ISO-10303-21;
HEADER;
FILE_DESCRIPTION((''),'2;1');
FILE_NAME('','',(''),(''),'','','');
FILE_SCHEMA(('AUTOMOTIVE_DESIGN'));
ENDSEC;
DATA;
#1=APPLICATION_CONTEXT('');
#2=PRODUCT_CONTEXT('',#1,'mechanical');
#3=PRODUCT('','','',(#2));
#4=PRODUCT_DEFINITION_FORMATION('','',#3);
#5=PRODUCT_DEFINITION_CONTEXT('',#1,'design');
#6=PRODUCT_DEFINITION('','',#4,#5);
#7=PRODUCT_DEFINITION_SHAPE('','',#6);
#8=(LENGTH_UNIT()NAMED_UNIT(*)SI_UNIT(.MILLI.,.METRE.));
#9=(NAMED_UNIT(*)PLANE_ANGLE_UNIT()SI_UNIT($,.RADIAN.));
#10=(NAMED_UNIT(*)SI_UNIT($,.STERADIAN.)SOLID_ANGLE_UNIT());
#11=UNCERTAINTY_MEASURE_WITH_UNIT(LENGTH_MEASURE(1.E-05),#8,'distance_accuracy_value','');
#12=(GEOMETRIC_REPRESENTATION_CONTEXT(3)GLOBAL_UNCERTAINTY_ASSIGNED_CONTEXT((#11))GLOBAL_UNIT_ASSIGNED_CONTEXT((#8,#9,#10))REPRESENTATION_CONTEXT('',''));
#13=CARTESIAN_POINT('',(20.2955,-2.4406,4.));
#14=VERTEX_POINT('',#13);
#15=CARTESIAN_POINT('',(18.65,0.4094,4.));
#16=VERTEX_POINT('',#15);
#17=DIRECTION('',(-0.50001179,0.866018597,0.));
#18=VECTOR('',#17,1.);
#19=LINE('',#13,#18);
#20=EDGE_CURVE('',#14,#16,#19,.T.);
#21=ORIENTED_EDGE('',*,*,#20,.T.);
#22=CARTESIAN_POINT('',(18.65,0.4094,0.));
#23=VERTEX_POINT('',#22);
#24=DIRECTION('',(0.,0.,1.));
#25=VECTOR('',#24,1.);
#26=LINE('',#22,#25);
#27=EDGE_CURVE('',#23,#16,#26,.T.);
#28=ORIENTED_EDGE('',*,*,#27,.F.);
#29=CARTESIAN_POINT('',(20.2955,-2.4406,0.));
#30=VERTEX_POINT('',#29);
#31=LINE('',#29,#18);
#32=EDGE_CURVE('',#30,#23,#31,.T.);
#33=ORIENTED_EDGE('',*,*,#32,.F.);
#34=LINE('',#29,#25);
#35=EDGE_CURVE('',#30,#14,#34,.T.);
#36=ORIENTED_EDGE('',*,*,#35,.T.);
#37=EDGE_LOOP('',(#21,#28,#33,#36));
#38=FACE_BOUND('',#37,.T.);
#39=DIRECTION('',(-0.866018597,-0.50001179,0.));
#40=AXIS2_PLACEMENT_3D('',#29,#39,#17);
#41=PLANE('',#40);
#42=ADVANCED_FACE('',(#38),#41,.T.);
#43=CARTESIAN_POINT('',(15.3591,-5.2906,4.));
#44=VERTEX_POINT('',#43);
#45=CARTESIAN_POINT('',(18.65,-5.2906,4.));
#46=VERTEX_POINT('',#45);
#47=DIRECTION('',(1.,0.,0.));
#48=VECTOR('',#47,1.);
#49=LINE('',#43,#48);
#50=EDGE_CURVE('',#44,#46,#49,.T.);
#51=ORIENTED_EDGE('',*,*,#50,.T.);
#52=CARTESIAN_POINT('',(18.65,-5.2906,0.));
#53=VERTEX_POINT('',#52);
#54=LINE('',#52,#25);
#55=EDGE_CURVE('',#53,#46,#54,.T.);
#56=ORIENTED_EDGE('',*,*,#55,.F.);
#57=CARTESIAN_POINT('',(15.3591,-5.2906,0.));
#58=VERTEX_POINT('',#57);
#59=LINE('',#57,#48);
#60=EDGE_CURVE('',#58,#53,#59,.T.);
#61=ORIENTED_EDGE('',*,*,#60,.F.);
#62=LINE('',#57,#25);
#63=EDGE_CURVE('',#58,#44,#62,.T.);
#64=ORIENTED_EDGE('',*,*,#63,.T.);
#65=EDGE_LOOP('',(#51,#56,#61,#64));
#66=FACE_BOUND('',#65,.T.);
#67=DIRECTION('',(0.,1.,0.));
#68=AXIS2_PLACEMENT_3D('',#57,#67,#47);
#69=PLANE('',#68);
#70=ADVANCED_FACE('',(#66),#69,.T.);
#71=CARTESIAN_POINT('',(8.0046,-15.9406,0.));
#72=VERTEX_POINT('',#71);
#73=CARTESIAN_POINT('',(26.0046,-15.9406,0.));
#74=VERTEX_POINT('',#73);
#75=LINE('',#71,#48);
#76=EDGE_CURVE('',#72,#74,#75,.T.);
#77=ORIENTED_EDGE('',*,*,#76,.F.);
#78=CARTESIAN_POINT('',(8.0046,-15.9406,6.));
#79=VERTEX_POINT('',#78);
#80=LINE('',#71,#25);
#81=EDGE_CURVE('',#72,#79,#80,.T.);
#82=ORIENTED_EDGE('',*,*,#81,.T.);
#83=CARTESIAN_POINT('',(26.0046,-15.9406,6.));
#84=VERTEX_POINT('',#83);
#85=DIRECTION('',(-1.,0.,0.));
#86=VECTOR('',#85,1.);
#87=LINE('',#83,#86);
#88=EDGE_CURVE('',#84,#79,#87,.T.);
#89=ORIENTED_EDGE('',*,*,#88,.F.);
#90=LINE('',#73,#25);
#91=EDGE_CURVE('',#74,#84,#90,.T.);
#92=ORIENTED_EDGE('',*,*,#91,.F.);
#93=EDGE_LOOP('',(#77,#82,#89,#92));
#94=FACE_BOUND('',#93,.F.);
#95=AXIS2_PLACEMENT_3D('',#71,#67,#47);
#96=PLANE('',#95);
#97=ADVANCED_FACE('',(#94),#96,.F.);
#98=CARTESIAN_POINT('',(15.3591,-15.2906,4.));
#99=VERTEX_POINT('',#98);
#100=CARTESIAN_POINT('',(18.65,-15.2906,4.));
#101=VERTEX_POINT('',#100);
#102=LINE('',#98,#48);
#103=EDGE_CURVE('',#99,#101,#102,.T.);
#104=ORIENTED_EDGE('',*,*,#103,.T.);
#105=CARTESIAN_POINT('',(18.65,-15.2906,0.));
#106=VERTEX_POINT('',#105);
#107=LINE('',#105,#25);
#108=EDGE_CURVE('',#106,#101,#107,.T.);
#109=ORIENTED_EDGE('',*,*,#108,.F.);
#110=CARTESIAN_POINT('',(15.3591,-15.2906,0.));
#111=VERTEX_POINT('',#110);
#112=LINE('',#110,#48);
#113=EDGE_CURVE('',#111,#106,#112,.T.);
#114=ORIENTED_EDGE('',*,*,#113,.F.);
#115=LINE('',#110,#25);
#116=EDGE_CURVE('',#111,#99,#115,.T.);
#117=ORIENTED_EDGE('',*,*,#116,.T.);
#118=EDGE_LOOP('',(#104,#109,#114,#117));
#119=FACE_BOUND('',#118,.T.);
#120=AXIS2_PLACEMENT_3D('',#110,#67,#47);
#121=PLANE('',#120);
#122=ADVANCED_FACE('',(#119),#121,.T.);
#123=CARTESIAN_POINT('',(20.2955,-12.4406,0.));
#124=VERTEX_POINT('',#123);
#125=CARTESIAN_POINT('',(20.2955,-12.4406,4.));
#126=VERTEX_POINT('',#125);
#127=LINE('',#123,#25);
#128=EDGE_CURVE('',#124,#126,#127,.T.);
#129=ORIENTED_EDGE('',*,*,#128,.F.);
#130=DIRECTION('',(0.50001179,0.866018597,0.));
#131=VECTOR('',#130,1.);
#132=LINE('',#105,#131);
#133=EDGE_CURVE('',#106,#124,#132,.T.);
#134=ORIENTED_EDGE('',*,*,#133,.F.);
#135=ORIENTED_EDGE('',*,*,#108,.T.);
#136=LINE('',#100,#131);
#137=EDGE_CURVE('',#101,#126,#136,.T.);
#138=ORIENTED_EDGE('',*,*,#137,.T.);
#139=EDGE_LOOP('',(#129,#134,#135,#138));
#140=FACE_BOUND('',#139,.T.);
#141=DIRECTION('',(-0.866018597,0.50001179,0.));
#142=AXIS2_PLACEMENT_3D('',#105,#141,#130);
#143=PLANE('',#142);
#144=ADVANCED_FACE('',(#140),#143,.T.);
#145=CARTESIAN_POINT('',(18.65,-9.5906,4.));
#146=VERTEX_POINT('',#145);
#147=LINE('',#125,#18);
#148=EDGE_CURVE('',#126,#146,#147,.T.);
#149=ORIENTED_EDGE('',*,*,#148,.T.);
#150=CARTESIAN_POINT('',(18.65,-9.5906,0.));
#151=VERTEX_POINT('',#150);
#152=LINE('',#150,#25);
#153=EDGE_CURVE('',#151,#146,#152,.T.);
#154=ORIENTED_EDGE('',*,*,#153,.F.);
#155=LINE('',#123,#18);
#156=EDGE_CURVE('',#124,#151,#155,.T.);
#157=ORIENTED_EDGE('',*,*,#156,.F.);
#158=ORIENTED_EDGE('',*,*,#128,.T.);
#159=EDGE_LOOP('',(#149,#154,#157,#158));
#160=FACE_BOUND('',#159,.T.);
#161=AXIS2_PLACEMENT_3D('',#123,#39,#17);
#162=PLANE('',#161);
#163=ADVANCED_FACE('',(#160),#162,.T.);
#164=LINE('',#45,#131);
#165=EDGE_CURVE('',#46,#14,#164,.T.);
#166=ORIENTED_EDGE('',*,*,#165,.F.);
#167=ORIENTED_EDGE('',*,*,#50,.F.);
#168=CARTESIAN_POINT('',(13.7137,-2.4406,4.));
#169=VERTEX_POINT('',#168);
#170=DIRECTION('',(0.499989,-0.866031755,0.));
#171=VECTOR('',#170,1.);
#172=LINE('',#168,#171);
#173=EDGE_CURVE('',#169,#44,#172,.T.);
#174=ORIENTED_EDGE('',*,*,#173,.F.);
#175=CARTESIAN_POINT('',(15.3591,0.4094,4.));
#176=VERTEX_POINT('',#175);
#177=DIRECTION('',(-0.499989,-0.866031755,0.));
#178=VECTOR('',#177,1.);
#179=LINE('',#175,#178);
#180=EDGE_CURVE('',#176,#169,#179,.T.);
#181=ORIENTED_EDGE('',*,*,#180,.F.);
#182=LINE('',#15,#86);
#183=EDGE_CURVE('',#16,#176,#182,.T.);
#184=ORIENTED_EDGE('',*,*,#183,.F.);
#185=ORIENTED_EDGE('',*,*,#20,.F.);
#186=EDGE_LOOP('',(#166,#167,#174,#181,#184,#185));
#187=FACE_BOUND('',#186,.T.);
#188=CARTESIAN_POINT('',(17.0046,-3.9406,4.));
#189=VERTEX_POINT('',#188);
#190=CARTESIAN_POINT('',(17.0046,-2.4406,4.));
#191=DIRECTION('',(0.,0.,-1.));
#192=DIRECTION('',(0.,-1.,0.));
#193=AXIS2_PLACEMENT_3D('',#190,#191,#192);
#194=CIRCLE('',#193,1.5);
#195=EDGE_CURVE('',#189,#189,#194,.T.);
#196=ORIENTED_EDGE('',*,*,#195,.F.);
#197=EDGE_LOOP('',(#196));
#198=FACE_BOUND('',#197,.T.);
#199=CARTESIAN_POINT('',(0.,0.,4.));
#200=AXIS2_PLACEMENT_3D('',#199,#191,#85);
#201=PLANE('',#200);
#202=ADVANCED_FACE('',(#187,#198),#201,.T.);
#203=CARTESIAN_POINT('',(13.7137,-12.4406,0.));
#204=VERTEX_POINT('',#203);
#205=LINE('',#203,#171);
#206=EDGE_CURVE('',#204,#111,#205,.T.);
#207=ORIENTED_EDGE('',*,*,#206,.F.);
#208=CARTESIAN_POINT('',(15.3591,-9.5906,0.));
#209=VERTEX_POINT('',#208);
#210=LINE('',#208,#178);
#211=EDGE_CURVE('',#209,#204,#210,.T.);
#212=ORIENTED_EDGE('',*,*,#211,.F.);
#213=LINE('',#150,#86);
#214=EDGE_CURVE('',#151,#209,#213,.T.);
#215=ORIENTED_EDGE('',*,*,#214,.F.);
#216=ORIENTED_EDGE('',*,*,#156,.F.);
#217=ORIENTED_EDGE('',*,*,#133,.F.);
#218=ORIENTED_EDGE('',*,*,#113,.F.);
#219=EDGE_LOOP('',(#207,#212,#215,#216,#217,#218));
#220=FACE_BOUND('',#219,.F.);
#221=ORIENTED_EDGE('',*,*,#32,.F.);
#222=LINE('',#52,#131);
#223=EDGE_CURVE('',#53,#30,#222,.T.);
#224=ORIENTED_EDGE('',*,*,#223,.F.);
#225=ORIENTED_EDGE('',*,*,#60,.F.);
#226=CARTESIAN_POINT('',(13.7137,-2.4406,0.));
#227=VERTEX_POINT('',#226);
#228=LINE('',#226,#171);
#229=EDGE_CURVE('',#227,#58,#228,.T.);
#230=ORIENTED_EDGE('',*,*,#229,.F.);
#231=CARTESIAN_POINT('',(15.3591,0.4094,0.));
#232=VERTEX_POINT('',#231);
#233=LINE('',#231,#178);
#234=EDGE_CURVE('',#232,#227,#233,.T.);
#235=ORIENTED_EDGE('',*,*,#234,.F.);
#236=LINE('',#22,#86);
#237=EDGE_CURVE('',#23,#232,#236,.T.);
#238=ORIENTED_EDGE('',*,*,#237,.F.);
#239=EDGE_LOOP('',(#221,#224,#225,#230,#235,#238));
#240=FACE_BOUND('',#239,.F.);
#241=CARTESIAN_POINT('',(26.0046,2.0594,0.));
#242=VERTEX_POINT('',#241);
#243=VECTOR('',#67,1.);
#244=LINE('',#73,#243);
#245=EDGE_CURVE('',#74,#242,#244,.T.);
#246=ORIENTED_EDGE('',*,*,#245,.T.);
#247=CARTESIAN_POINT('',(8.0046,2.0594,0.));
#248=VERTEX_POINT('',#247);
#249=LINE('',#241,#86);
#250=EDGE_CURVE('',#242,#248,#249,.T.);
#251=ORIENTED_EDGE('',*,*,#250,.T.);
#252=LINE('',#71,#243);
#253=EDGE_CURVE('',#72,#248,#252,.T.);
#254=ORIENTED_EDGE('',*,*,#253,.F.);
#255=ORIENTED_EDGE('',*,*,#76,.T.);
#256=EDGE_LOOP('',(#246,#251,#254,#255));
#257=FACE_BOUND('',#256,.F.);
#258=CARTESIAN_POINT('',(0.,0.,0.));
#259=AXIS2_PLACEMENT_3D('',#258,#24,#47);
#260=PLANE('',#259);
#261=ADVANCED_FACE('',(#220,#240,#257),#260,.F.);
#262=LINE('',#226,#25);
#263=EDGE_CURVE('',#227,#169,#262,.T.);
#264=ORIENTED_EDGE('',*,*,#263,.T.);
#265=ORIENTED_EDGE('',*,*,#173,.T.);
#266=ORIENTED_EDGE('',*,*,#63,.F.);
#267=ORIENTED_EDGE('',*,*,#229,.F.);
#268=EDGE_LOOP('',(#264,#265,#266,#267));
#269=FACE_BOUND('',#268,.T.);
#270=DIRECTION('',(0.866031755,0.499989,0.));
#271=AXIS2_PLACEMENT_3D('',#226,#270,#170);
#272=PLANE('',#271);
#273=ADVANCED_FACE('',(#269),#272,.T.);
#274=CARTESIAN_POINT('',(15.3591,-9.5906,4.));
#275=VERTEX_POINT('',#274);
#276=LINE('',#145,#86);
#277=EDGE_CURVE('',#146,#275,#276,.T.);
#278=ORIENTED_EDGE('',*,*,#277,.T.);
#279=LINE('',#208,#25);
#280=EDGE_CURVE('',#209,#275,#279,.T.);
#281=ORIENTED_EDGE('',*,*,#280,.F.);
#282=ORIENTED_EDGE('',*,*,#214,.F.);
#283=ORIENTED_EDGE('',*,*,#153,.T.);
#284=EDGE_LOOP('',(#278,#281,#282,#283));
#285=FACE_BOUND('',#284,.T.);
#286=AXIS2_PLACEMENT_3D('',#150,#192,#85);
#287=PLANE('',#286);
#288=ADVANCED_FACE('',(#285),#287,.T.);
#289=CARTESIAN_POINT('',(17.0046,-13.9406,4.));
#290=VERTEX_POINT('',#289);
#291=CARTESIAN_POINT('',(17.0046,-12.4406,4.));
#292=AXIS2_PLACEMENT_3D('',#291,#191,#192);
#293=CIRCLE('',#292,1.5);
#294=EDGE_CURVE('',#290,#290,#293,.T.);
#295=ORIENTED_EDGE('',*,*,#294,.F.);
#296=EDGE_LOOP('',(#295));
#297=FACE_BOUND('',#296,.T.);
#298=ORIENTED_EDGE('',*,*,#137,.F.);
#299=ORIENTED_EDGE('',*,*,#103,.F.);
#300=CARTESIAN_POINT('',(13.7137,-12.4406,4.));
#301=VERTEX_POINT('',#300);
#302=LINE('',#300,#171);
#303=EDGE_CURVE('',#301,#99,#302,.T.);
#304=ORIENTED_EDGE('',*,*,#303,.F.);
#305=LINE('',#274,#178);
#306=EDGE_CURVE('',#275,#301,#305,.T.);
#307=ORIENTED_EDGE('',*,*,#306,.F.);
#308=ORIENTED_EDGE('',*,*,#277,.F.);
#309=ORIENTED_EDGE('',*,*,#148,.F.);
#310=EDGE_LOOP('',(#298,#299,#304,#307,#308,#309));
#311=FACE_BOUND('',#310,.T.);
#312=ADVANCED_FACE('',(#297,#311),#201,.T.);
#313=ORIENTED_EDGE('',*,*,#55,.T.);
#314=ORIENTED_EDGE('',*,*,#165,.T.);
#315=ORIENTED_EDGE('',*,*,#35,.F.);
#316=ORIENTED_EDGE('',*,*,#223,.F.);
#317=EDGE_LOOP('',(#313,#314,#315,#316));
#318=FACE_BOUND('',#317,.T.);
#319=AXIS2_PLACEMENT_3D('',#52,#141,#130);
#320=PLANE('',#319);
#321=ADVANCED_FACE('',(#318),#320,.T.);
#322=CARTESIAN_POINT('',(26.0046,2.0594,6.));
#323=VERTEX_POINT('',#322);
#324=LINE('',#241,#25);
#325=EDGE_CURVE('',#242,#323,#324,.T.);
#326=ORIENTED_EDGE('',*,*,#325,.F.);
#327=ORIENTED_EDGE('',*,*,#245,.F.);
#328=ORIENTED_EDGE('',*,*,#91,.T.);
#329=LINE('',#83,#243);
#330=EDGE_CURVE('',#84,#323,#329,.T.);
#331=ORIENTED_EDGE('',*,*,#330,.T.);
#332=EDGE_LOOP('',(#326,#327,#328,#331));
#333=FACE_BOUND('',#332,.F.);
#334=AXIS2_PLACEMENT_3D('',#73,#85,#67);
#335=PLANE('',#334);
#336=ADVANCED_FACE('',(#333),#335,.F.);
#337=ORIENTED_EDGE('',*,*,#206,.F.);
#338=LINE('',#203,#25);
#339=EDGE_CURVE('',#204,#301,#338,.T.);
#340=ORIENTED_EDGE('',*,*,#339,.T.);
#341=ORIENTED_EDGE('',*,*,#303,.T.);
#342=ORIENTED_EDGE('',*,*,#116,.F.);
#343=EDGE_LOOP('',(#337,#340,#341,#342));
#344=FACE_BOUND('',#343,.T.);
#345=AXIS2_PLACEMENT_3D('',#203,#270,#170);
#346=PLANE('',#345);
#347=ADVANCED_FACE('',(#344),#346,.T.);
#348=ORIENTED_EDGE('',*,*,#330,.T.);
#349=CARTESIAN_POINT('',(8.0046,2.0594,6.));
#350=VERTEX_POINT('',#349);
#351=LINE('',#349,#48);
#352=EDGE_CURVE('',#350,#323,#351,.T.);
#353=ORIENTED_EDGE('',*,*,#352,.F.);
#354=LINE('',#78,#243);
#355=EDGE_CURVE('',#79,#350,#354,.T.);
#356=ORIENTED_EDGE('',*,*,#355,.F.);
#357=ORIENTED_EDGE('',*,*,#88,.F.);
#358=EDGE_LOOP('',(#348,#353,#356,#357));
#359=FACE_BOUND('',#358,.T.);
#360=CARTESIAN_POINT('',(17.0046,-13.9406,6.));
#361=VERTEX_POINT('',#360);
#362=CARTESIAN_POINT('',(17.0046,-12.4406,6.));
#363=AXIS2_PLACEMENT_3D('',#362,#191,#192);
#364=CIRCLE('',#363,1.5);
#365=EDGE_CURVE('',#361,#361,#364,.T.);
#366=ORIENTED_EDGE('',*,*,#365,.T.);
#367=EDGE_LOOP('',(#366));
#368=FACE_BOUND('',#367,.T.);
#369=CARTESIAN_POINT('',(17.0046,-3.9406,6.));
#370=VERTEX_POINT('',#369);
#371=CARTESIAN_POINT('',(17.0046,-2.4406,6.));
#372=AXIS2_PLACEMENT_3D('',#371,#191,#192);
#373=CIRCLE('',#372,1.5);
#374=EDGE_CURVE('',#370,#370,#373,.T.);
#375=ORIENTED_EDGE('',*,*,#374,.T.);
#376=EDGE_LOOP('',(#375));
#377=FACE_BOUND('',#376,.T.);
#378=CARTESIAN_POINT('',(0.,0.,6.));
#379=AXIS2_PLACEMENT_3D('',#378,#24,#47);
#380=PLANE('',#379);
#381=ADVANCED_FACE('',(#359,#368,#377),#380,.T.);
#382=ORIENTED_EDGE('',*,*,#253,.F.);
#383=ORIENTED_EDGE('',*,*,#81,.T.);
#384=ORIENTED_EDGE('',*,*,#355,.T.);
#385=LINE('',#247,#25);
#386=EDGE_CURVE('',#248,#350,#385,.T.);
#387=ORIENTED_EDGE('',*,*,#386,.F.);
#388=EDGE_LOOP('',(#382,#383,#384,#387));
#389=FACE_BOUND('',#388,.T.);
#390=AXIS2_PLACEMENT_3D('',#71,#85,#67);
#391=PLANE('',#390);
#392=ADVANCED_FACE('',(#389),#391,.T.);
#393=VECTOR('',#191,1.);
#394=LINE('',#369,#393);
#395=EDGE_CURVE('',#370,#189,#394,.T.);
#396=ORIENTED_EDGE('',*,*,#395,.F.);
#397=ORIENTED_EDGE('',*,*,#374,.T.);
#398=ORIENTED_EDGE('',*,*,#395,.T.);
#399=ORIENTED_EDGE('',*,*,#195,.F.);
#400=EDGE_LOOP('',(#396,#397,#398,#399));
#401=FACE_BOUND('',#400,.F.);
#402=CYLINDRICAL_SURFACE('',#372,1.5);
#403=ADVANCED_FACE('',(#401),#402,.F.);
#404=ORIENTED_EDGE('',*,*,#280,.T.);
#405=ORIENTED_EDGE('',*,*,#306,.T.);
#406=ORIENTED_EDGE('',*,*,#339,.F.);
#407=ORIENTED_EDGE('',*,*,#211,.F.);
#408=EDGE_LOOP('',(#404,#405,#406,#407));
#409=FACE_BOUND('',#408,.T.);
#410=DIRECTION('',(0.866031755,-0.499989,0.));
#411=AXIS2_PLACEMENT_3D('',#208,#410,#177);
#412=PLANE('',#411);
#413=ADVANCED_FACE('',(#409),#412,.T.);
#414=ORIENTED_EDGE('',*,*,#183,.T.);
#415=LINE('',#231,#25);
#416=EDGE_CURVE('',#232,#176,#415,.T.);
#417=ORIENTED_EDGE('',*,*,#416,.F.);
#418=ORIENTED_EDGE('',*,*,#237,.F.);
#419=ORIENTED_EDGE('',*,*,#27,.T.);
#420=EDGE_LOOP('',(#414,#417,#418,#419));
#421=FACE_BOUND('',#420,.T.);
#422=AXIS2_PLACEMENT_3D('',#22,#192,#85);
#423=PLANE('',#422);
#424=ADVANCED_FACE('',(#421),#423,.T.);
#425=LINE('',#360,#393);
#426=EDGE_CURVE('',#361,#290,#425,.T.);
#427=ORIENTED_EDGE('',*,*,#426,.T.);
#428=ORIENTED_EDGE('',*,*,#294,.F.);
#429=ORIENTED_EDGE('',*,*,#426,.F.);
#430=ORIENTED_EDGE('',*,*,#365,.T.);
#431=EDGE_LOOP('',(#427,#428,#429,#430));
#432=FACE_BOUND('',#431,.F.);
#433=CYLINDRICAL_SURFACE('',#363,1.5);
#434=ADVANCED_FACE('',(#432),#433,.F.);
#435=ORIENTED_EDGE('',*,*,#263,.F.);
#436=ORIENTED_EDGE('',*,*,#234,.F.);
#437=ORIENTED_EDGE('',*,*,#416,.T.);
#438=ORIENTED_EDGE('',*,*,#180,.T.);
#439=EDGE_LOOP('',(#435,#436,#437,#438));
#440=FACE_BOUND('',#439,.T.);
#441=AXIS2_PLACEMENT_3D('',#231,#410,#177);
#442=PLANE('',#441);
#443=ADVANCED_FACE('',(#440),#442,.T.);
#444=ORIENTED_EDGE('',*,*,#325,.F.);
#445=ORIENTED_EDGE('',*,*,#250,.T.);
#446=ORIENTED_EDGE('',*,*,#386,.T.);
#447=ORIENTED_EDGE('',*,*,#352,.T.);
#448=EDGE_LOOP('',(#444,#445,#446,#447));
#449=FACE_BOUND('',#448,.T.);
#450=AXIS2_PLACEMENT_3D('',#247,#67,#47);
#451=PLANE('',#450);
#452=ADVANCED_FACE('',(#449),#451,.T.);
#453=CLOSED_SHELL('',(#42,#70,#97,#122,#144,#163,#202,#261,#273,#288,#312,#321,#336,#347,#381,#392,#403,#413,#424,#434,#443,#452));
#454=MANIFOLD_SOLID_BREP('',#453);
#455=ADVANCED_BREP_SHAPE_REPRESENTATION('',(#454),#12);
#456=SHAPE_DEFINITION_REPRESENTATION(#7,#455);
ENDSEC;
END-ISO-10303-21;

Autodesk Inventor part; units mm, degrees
ref_plane "YZ Plane" through (0, 0, 0) normal (1, 0, 0) x (0, 1, 0)
ref_plane "XZ Plane" through (0, 0, 0) normal (0, 1, 0) x (-1, 0, 0)
ref_plane "XY Plane" through (0, 0, 0) normal (0, 0, 1) x (1, 0, 0)
ref_plane "Work Plane1" through (0, 0, 0) normal (0, 0, 1) x (1, 0, 0)
sketch "Sketch1" plane through (0, 0, 0) normal (0, 0, 1) x (1, 0, 0)
  arc A0 (-10.7354, 13.2764) -> (-8.7899, 5.3181) centre (6.5146, 13.2764) ccw projected
  line L0 (2.2646, -15.9406) -> (-8.7899, 5.3181) projected
  line L1 (2.2646, -15.9406) -> (17.0046, -15.9406) projected
  line L2 (17.0046, -15.9406) -> (17.0046, -1.0343) projected
  arc A1 (-5.2391, 19.424) -> (17.0046, -1.0343) centre (26.9358, 32.085) ccw projected
  arc A2 (-5.2391, 19.424) -> (-10.7354, 23.5341) centre (-10.7011, 17.8498) ccw projected
  line L3 (-10.7354, 23.5341) -> (-10.7354, 13.2764) projected
  line L4 (17.0046, -15.9406) -> (26.0046, -15.9406)
  line L5 (26.0046, -15.9406) -> (26.0046, 2.0594)
  line L6 (26.0046, 2.0594) -> (17.0046, 2.0594)
  line L7 (17.0046, 2.0594) -> (17.0046, -15.9406)
  line L8 (17.0046, -15.9406) -> (8.0046, -15.9406)
  line L9 (8.0046, -15.9406) -> (8.0046, 2.0594)
  line L10 (8.0046, 2.0594) -> (17.0046, 2.0594)
  line L11 (17.0046, 2.0594) -> (17.0046, -15.9406)
  point P0 (0, 0)
  dimension "d0" = 9
  dimension "d1" = 18
  dimension "d2" = 9
extrude "Extrusion1" add sketch "Sketch1" along normal blind 6 contours L9 L10 A1 L2 L1 | L10 L7 A1 | L2 L7 L6 L5 L4
sketch "Sketch2" plane through (0, 0, 6) normal (0, 0, 1) x (1, 0, 0)
  line L0 (26.0046, 2.0594) -> (8.0046, 2.0594) projected
  line L1 (8.0046, 2.0594) -> (8.0046, -15.9406) projected
  line L2 (8.0046, -15.9406) -> (26.0046, -15.9406) projected
  line L3 (26.0046, -15.9406) -> (26.0046, 2.0594) projected
  line L4 (17.0046, -15.9406) -> (17.0046, -12.4406) construction
  line L5 (17.0046, -12.4406) -> (17.0046, -2.4406) construction
  point P0 (0, 0)
  dimension "d5" = 3.5
  dimension "d6" = 10
hole "Hole1" at (17.0046, -12.4406, 6) at (17.0046, -2.4406, 6) direction (0, 0, -1) diameter 3 end through all
sketch "Sketch3" plane through (0, 0, 0) normal (0, 0, -1) x (-1, 0, 0)
  circle A0 centre (-17.0046, -12.4406) radius 1.5 projected
  circle A1 centre (-17.0046, -2.4406) radius 1.5 projected
  line L0 (-8.0046, -15.9406) -> (-26.0046, -15.9406) projected
  line L1 (-8.0046, 2.0594) -> (-8.0046, -15.9406) projected
  line L2 (-26.0046, 2.0594) -> (-8.0046, 2.0594) projected
  line L3 (-26.0046, -15.9406) -> (-26.0046, 2.0594) projected
  line L4 (-20.2955, -12.4406) -> (-18.65, -9.5906)
  line L5 (-18.65, -9.5906) -> (-15.3591, -9.5906)
  line L6 (-15.3591, -9.5906) -> (-13.7137, -12.4406)
  line L7 (-13.7137, -12.4406) -> (-15.3591, -15.2906)
  line L8 (-15.3591, -15.2906) -> (-18.65, -15.2906)
  line L9 (-18.65, -15.2906) -> (-20.2955, -12.4406)
  line L10 (-20.2955, -2.4406) -> (-18.65, 0.4094)
  line L11 (-18.65, 0.4094) -> (-15.3591, 0.4094)
  line L12 (-15.3591, 0.4094) -> (-13.7137, -2.4406)
  line L13 (-13.7137, -2.4406) -> (-15.3591, -5.2906)
  line L14 (-15.3591, -5.2906) -> (-18.65, -5.2906)
  line L15 (-18.65, -5.2906) -> (-20.2955, -2.4406)
  point P0 (0, 0)
  dimension "d14" = 5.7
ref_plane "Work Plane2" through (0, 0, 3.5) normal (0, 0, -1) x (-1, 0, 0)
sketch "Sketch4" plane through (0, 0, 3.5) normal (0, 0, -1) x (-1, 0, 0)
  line L0 (-18.65, 0.4094) -> (-15.3591, 0.4094) projected
  line L1 (-20.2955, -2.4406) -> (-18.65, 0.4094) projected
  circle A0 centre (-17.0046, -2.4406) radius 1.5 projected
  circle A1 centre (-17.0046, -12.4406) radius 1.5 projected
  line L2 (-15.3591, -5.2906) -> (-18.65, -5.2906) projected
  line L3 (-18.65, -9.5906) -> (-15.3591, -9.5906) projected
  line L4 (-20.2955, -12.4406) -> (-18.65, -9.5906) projected
  line L5 (-20.2955, -12.4406) -> (-18.65, -9.5906)
  line L6 (-18.65, -9.5906) -> (-15.3591, -9.5906)
  line L7 (-15.3591, -9.5906) -> (-13.7137, -12.4406)
  line L8 (-13.7137, -12.4406) -> (-15.3591, -15.2906)
  line L9 (-15.3591, -15.2906) -> (-18.65, -15.2906)
  line L10 (-18.65, -15.2906) -> (-20.2955, -12.4406)
  line L11 (-20.2955, -2.4406) -> (-18.65, 0.4094)
  line L12 (-18.65, 0.4094) -> (-15.3591, 0.4094)
  line L13 (-15.3591, 0.4094) -> (-13.7137, -2.4406)
  line L14 (-13.7137, -2.4406) -> (-15.3591, -5.2906)
  line L15 (-15.3591, -5.2906) -> (-18.65, -5.2906)
  line L16 (-18.65, -5.2906) -> (-20.2955, -2.4406)
  point P0 (0, 0)
extrude "Extrusion2" cut sketch "Sketch3" against normal blind 4 contours L4 L5 L6 L7 L8 L9 | L10 L11 L12 L13 L14 L15
properties part number "holder"
